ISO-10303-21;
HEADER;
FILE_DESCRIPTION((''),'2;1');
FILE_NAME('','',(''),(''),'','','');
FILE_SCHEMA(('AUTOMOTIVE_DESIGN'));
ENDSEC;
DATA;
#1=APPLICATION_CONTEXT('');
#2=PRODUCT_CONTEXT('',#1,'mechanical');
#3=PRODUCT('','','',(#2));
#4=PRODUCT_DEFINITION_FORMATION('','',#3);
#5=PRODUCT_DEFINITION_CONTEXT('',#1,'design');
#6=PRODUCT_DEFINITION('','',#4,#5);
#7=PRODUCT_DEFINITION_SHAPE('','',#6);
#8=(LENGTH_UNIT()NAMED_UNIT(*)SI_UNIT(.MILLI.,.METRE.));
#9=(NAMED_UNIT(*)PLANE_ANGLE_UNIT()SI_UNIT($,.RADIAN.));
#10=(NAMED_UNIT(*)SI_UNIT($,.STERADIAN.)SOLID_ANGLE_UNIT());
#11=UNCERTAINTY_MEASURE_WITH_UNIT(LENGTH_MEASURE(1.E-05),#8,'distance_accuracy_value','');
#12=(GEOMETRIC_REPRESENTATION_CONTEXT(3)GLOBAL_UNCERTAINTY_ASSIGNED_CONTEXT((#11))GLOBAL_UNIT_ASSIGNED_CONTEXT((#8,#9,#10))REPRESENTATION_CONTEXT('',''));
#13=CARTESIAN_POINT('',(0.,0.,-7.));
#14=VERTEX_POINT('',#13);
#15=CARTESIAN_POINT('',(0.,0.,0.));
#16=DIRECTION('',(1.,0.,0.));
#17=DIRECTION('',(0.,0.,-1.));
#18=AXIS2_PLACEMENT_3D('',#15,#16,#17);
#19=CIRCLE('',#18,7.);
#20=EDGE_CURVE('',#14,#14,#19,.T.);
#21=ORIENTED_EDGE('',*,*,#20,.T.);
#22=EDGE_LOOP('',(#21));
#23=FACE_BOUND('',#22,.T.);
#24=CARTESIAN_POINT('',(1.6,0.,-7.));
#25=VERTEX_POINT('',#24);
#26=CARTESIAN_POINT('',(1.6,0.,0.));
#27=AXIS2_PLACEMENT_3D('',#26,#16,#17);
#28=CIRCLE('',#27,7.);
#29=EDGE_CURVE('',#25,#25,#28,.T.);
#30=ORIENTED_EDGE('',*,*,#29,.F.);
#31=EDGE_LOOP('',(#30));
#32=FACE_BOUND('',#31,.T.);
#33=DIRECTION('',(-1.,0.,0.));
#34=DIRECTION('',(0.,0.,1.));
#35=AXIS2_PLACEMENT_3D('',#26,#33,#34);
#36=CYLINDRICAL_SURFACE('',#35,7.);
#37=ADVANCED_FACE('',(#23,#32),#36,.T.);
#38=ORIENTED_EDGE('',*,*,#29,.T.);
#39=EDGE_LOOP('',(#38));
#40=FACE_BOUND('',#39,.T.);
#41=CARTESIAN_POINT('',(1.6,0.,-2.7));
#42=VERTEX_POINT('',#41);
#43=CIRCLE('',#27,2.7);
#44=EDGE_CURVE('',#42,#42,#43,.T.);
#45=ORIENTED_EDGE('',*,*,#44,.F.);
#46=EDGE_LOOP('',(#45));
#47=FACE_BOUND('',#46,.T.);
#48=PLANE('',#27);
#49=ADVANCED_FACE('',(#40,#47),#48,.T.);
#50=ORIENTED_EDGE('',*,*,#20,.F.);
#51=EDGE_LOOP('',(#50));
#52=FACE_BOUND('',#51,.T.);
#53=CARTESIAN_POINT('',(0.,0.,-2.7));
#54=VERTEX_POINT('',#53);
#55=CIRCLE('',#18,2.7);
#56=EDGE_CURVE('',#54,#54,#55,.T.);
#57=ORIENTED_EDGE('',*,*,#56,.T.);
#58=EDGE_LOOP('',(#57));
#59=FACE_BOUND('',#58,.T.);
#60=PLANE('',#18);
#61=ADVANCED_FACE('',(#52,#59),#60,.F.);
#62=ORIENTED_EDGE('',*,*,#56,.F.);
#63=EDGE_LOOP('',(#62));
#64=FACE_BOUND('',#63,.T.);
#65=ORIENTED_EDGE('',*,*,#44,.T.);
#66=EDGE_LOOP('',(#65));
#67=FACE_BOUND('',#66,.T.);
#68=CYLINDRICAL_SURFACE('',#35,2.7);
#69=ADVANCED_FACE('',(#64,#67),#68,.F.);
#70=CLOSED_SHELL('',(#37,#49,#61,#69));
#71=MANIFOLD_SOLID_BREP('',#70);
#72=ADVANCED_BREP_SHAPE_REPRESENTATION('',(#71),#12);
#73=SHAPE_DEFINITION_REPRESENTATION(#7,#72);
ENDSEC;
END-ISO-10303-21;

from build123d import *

# Parameters (mm, degrees)
SKETCH1_R          = 7
SKETCH1_R_2        = 2.7
BASE_EXTRUDE_DEPTH = 1.6


with BuildPart() as part:
    # Sketch1 → Base-Extrude (new body)
    with BuildSketch(Plane(origin=(0, 0, 0), x_dir=(0, 0, -1), z_dir=(1, 0, 0))):
        Circle(SKETCH1_R)
        Circle(SKETCH1_R_2, mode=Mode.SUBTRACT)
    extrude(amount=BASE_EXTRUDE_DEPTH)


solid = part.part
